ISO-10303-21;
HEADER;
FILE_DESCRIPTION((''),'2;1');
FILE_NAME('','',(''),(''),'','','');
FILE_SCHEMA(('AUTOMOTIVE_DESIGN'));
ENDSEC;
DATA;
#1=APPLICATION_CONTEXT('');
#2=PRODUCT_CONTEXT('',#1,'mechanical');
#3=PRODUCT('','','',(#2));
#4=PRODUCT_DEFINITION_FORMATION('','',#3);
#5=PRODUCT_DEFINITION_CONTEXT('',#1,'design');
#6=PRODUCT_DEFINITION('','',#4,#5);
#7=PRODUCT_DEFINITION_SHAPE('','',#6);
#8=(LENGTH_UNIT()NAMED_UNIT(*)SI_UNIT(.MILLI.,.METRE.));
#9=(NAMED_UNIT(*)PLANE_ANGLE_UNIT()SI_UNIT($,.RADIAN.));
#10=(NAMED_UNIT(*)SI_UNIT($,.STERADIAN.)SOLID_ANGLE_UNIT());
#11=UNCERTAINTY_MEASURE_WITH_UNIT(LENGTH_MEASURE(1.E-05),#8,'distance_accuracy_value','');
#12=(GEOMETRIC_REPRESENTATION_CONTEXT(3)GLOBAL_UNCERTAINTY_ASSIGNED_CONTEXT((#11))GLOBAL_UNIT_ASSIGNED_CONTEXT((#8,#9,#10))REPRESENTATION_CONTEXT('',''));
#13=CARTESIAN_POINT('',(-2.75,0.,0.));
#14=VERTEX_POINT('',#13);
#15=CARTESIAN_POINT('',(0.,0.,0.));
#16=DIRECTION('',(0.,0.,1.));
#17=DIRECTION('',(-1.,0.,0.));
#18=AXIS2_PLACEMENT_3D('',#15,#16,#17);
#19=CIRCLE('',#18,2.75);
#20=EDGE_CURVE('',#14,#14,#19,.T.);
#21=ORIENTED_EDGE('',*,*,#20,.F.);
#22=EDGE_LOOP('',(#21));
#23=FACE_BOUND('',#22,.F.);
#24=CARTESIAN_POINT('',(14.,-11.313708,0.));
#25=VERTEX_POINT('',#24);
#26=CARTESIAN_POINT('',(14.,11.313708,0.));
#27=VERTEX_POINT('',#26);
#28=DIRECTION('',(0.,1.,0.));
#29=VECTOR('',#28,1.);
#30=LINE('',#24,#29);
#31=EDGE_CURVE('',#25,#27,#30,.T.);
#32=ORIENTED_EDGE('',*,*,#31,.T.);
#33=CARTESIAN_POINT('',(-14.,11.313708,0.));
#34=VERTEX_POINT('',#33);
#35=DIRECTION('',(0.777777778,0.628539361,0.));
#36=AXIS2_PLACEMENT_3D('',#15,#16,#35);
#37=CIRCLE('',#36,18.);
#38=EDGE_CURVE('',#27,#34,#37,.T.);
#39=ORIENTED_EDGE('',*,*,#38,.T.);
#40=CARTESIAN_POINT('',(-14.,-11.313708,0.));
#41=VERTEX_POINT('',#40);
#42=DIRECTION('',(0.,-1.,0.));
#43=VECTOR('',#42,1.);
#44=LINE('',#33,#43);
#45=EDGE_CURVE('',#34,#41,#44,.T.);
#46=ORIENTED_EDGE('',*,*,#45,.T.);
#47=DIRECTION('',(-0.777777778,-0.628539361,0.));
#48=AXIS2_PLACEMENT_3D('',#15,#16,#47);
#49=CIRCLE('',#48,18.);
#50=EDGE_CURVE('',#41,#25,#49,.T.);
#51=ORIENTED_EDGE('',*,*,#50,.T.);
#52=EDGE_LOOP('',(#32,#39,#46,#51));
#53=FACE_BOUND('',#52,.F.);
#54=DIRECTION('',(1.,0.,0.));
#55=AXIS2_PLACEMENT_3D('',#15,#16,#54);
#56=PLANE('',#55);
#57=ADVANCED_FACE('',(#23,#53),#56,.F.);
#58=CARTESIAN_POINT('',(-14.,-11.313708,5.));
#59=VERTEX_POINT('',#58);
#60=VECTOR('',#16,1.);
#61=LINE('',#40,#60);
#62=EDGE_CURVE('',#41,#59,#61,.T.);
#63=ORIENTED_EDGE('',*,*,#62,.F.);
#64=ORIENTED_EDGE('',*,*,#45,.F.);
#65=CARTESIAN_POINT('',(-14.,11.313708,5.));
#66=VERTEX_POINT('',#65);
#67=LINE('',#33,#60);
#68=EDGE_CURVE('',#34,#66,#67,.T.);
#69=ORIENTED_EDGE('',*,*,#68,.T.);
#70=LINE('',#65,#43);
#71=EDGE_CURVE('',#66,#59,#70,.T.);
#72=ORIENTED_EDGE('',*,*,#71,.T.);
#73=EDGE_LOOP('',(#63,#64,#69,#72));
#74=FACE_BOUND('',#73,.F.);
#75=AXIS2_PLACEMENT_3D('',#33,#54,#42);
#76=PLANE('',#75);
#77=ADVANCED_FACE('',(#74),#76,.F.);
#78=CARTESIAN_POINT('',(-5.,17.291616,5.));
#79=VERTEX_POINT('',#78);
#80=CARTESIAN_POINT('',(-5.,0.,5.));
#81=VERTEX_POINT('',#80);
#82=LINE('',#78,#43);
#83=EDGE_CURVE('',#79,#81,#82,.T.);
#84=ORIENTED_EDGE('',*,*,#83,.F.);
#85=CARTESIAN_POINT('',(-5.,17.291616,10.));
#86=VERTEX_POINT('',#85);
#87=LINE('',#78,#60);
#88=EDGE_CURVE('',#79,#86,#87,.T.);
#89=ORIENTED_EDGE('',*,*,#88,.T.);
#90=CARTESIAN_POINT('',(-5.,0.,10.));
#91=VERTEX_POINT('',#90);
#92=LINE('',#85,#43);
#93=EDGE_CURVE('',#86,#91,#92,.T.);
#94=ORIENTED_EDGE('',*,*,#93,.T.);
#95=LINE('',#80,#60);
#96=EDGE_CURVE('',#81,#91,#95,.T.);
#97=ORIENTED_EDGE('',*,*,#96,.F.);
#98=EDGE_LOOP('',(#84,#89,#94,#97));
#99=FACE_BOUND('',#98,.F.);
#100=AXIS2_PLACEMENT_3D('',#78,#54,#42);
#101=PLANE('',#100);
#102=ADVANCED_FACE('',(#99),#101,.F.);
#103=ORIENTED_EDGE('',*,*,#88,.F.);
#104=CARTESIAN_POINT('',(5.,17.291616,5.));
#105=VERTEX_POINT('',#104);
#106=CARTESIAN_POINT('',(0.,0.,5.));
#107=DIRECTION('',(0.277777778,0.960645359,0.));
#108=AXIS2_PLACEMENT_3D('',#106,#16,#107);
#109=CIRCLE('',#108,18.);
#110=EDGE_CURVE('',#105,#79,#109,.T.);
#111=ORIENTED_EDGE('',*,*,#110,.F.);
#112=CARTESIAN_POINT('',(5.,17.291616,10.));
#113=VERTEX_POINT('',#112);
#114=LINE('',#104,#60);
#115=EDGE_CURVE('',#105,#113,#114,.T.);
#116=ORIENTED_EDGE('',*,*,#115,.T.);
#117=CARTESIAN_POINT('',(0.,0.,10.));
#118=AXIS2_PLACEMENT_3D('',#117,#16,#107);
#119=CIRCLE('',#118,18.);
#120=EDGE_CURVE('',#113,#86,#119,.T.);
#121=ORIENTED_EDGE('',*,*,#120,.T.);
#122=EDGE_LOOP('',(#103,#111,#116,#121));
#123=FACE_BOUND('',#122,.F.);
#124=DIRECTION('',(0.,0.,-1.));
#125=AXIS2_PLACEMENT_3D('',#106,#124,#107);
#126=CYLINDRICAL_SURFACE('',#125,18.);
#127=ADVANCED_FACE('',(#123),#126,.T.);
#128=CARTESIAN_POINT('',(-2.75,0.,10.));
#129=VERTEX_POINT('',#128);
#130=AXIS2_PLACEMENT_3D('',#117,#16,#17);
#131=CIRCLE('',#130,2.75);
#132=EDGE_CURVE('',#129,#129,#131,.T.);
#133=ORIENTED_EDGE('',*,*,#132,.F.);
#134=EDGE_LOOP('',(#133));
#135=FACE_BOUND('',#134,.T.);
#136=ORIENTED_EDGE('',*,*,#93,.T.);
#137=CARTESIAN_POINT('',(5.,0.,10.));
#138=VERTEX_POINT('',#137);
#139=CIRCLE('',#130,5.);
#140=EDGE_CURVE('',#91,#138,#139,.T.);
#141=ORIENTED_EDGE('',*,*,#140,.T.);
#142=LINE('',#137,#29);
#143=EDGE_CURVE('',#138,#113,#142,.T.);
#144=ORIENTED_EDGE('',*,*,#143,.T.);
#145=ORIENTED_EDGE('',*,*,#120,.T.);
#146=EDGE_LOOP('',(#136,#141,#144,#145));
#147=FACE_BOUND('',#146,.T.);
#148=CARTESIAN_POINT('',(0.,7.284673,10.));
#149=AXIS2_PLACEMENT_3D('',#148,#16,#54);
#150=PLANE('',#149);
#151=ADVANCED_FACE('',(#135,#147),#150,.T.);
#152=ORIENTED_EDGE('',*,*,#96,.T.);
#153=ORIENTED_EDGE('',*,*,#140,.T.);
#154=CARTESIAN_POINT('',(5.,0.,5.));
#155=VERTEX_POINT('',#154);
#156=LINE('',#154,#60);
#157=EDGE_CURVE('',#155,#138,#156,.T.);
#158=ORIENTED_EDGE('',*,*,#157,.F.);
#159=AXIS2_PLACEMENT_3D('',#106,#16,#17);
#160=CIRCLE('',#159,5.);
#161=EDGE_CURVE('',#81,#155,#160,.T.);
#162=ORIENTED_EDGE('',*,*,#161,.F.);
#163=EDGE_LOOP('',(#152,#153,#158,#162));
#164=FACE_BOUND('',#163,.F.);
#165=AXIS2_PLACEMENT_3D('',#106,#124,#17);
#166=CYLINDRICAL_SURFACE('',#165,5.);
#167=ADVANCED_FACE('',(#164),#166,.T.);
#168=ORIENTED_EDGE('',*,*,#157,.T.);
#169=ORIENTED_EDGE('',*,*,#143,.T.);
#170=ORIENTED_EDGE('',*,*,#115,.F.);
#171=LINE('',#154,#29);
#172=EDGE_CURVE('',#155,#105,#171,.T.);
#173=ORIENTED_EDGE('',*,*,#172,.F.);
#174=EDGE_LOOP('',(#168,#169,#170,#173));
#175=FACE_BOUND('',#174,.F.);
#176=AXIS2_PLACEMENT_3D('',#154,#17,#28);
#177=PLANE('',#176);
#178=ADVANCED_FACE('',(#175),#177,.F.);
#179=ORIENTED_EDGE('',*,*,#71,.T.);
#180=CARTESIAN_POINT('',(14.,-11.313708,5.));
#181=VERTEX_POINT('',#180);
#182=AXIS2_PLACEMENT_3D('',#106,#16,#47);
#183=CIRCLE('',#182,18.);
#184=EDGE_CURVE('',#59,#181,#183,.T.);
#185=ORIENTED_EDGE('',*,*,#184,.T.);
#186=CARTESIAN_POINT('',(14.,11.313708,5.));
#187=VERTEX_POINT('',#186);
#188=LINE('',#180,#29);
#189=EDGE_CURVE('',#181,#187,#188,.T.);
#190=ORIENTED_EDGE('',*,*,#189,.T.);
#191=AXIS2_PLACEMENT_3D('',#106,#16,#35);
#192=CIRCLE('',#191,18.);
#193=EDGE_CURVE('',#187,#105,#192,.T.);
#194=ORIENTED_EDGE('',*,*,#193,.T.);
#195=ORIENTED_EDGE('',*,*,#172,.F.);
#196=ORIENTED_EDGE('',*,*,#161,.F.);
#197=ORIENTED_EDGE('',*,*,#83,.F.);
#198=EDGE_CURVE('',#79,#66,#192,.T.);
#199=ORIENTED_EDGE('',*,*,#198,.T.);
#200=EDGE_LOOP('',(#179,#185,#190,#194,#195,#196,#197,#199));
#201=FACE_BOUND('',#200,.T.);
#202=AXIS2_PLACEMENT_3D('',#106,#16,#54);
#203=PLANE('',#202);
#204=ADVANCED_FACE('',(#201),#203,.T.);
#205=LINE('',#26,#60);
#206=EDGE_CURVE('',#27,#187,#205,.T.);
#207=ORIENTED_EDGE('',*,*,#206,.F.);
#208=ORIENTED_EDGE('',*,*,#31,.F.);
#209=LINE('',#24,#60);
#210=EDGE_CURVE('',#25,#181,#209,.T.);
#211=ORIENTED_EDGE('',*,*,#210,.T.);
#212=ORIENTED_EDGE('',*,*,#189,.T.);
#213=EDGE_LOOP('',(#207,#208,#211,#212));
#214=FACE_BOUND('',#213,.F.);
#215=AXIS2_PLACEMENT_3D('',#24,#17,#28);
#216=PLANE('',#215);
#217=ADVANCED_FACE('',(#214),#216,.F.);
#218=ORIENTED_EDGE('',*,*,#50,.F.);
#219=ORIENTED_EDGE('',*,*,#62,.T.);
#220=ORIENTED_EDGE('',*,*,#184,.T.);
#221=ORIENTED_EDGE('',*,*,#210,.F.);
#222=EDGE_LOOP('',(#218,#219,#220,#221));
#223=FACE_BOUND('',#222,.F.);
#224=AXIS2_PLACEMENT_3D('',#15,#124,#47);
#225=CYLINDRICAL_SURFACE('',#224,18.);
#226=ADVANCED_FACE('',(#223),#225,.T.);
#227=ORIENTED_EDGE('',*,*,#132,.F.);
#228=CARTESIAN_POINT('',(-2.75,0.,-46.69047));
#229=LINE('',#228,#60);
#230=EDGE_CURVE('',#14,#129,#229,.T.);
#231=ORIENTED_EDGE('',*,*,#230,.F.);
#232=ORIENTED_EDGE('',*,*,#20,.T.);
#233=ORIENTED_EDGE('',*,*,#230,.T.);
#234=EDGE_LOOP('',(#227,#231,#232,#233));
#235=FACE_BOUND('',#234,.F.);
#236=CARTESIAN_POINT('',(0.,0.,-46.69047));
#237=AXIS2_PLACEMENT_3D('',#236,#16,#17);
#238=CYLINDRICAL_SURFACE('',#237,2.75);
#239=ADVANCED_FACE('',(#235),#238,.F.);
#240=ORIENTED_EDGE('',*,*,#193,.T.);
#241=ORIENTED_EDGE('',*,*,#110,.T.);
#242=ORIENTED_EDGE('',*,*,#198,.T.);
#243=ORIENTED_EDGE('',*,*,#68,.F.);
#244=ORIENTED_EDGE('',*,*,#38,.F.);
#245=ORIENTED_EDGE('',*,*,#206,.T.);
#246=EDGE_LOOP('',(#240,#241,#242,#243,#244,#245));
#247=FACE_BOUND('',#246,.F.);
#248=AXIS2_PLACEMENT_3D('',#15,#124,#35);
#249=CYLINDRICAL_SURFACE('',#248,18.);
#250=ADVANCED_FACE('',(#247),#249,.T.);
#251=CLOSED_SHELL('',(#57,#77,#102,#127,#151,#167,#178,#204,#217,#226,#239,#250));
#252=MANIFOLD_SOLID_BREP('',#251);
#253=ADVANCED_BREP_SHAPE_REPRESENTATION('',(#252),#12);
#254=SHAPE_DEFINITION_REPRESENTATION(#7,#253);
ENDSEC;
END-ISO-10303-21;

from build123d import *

# Parameters (mm, degrees)
F1_DEPTH = 5
F3_DEPTH = 5
F5_D     = 5.5


with BuildPart() as f1:
    # F0 (on Top) → F1 (new body)
    with BuildSketch(Plane.XY):
        with BuildLine():
            Line((-14, 11.313708499), (-14, -11.313708499))
            ThreePointArc((-14, -11.313708499), (0, -18), (14, -11.313708499))
            Line((14, -11.313708499), (14, 11.313708499))
            ThreePointArc((14, 11.313708499), (0, 18), (-14, 11.313708499))
        make_face()
    extrude(amount=F1_DEPTH)

    # F2 (on face) → F3 (join)
    with BuildSketch(Plane.XY.offset(5)):
        with BuildLine():
            Line((-5, 17.2916164658), (-5, 0))
            ThreePointArc((-5, 0), (0, -5), (5, 0))
            Line((5, 0), (5, 17.2916164658))
            ThreePointArc((5, 17.2916164658), (0, 18), (-5, 17.2916164658))
        make_face()
    extrude(amount=F3_DEPTH)

    # F5 (through all)
    with Locations(Plane(origin=(0, 0, 0), x_dir=(1, 0, 0), z_dir=(0, 0, -1))):
        with Locations((0, 0)):
            Hole(F5_D / 2)


solid = f1.part
